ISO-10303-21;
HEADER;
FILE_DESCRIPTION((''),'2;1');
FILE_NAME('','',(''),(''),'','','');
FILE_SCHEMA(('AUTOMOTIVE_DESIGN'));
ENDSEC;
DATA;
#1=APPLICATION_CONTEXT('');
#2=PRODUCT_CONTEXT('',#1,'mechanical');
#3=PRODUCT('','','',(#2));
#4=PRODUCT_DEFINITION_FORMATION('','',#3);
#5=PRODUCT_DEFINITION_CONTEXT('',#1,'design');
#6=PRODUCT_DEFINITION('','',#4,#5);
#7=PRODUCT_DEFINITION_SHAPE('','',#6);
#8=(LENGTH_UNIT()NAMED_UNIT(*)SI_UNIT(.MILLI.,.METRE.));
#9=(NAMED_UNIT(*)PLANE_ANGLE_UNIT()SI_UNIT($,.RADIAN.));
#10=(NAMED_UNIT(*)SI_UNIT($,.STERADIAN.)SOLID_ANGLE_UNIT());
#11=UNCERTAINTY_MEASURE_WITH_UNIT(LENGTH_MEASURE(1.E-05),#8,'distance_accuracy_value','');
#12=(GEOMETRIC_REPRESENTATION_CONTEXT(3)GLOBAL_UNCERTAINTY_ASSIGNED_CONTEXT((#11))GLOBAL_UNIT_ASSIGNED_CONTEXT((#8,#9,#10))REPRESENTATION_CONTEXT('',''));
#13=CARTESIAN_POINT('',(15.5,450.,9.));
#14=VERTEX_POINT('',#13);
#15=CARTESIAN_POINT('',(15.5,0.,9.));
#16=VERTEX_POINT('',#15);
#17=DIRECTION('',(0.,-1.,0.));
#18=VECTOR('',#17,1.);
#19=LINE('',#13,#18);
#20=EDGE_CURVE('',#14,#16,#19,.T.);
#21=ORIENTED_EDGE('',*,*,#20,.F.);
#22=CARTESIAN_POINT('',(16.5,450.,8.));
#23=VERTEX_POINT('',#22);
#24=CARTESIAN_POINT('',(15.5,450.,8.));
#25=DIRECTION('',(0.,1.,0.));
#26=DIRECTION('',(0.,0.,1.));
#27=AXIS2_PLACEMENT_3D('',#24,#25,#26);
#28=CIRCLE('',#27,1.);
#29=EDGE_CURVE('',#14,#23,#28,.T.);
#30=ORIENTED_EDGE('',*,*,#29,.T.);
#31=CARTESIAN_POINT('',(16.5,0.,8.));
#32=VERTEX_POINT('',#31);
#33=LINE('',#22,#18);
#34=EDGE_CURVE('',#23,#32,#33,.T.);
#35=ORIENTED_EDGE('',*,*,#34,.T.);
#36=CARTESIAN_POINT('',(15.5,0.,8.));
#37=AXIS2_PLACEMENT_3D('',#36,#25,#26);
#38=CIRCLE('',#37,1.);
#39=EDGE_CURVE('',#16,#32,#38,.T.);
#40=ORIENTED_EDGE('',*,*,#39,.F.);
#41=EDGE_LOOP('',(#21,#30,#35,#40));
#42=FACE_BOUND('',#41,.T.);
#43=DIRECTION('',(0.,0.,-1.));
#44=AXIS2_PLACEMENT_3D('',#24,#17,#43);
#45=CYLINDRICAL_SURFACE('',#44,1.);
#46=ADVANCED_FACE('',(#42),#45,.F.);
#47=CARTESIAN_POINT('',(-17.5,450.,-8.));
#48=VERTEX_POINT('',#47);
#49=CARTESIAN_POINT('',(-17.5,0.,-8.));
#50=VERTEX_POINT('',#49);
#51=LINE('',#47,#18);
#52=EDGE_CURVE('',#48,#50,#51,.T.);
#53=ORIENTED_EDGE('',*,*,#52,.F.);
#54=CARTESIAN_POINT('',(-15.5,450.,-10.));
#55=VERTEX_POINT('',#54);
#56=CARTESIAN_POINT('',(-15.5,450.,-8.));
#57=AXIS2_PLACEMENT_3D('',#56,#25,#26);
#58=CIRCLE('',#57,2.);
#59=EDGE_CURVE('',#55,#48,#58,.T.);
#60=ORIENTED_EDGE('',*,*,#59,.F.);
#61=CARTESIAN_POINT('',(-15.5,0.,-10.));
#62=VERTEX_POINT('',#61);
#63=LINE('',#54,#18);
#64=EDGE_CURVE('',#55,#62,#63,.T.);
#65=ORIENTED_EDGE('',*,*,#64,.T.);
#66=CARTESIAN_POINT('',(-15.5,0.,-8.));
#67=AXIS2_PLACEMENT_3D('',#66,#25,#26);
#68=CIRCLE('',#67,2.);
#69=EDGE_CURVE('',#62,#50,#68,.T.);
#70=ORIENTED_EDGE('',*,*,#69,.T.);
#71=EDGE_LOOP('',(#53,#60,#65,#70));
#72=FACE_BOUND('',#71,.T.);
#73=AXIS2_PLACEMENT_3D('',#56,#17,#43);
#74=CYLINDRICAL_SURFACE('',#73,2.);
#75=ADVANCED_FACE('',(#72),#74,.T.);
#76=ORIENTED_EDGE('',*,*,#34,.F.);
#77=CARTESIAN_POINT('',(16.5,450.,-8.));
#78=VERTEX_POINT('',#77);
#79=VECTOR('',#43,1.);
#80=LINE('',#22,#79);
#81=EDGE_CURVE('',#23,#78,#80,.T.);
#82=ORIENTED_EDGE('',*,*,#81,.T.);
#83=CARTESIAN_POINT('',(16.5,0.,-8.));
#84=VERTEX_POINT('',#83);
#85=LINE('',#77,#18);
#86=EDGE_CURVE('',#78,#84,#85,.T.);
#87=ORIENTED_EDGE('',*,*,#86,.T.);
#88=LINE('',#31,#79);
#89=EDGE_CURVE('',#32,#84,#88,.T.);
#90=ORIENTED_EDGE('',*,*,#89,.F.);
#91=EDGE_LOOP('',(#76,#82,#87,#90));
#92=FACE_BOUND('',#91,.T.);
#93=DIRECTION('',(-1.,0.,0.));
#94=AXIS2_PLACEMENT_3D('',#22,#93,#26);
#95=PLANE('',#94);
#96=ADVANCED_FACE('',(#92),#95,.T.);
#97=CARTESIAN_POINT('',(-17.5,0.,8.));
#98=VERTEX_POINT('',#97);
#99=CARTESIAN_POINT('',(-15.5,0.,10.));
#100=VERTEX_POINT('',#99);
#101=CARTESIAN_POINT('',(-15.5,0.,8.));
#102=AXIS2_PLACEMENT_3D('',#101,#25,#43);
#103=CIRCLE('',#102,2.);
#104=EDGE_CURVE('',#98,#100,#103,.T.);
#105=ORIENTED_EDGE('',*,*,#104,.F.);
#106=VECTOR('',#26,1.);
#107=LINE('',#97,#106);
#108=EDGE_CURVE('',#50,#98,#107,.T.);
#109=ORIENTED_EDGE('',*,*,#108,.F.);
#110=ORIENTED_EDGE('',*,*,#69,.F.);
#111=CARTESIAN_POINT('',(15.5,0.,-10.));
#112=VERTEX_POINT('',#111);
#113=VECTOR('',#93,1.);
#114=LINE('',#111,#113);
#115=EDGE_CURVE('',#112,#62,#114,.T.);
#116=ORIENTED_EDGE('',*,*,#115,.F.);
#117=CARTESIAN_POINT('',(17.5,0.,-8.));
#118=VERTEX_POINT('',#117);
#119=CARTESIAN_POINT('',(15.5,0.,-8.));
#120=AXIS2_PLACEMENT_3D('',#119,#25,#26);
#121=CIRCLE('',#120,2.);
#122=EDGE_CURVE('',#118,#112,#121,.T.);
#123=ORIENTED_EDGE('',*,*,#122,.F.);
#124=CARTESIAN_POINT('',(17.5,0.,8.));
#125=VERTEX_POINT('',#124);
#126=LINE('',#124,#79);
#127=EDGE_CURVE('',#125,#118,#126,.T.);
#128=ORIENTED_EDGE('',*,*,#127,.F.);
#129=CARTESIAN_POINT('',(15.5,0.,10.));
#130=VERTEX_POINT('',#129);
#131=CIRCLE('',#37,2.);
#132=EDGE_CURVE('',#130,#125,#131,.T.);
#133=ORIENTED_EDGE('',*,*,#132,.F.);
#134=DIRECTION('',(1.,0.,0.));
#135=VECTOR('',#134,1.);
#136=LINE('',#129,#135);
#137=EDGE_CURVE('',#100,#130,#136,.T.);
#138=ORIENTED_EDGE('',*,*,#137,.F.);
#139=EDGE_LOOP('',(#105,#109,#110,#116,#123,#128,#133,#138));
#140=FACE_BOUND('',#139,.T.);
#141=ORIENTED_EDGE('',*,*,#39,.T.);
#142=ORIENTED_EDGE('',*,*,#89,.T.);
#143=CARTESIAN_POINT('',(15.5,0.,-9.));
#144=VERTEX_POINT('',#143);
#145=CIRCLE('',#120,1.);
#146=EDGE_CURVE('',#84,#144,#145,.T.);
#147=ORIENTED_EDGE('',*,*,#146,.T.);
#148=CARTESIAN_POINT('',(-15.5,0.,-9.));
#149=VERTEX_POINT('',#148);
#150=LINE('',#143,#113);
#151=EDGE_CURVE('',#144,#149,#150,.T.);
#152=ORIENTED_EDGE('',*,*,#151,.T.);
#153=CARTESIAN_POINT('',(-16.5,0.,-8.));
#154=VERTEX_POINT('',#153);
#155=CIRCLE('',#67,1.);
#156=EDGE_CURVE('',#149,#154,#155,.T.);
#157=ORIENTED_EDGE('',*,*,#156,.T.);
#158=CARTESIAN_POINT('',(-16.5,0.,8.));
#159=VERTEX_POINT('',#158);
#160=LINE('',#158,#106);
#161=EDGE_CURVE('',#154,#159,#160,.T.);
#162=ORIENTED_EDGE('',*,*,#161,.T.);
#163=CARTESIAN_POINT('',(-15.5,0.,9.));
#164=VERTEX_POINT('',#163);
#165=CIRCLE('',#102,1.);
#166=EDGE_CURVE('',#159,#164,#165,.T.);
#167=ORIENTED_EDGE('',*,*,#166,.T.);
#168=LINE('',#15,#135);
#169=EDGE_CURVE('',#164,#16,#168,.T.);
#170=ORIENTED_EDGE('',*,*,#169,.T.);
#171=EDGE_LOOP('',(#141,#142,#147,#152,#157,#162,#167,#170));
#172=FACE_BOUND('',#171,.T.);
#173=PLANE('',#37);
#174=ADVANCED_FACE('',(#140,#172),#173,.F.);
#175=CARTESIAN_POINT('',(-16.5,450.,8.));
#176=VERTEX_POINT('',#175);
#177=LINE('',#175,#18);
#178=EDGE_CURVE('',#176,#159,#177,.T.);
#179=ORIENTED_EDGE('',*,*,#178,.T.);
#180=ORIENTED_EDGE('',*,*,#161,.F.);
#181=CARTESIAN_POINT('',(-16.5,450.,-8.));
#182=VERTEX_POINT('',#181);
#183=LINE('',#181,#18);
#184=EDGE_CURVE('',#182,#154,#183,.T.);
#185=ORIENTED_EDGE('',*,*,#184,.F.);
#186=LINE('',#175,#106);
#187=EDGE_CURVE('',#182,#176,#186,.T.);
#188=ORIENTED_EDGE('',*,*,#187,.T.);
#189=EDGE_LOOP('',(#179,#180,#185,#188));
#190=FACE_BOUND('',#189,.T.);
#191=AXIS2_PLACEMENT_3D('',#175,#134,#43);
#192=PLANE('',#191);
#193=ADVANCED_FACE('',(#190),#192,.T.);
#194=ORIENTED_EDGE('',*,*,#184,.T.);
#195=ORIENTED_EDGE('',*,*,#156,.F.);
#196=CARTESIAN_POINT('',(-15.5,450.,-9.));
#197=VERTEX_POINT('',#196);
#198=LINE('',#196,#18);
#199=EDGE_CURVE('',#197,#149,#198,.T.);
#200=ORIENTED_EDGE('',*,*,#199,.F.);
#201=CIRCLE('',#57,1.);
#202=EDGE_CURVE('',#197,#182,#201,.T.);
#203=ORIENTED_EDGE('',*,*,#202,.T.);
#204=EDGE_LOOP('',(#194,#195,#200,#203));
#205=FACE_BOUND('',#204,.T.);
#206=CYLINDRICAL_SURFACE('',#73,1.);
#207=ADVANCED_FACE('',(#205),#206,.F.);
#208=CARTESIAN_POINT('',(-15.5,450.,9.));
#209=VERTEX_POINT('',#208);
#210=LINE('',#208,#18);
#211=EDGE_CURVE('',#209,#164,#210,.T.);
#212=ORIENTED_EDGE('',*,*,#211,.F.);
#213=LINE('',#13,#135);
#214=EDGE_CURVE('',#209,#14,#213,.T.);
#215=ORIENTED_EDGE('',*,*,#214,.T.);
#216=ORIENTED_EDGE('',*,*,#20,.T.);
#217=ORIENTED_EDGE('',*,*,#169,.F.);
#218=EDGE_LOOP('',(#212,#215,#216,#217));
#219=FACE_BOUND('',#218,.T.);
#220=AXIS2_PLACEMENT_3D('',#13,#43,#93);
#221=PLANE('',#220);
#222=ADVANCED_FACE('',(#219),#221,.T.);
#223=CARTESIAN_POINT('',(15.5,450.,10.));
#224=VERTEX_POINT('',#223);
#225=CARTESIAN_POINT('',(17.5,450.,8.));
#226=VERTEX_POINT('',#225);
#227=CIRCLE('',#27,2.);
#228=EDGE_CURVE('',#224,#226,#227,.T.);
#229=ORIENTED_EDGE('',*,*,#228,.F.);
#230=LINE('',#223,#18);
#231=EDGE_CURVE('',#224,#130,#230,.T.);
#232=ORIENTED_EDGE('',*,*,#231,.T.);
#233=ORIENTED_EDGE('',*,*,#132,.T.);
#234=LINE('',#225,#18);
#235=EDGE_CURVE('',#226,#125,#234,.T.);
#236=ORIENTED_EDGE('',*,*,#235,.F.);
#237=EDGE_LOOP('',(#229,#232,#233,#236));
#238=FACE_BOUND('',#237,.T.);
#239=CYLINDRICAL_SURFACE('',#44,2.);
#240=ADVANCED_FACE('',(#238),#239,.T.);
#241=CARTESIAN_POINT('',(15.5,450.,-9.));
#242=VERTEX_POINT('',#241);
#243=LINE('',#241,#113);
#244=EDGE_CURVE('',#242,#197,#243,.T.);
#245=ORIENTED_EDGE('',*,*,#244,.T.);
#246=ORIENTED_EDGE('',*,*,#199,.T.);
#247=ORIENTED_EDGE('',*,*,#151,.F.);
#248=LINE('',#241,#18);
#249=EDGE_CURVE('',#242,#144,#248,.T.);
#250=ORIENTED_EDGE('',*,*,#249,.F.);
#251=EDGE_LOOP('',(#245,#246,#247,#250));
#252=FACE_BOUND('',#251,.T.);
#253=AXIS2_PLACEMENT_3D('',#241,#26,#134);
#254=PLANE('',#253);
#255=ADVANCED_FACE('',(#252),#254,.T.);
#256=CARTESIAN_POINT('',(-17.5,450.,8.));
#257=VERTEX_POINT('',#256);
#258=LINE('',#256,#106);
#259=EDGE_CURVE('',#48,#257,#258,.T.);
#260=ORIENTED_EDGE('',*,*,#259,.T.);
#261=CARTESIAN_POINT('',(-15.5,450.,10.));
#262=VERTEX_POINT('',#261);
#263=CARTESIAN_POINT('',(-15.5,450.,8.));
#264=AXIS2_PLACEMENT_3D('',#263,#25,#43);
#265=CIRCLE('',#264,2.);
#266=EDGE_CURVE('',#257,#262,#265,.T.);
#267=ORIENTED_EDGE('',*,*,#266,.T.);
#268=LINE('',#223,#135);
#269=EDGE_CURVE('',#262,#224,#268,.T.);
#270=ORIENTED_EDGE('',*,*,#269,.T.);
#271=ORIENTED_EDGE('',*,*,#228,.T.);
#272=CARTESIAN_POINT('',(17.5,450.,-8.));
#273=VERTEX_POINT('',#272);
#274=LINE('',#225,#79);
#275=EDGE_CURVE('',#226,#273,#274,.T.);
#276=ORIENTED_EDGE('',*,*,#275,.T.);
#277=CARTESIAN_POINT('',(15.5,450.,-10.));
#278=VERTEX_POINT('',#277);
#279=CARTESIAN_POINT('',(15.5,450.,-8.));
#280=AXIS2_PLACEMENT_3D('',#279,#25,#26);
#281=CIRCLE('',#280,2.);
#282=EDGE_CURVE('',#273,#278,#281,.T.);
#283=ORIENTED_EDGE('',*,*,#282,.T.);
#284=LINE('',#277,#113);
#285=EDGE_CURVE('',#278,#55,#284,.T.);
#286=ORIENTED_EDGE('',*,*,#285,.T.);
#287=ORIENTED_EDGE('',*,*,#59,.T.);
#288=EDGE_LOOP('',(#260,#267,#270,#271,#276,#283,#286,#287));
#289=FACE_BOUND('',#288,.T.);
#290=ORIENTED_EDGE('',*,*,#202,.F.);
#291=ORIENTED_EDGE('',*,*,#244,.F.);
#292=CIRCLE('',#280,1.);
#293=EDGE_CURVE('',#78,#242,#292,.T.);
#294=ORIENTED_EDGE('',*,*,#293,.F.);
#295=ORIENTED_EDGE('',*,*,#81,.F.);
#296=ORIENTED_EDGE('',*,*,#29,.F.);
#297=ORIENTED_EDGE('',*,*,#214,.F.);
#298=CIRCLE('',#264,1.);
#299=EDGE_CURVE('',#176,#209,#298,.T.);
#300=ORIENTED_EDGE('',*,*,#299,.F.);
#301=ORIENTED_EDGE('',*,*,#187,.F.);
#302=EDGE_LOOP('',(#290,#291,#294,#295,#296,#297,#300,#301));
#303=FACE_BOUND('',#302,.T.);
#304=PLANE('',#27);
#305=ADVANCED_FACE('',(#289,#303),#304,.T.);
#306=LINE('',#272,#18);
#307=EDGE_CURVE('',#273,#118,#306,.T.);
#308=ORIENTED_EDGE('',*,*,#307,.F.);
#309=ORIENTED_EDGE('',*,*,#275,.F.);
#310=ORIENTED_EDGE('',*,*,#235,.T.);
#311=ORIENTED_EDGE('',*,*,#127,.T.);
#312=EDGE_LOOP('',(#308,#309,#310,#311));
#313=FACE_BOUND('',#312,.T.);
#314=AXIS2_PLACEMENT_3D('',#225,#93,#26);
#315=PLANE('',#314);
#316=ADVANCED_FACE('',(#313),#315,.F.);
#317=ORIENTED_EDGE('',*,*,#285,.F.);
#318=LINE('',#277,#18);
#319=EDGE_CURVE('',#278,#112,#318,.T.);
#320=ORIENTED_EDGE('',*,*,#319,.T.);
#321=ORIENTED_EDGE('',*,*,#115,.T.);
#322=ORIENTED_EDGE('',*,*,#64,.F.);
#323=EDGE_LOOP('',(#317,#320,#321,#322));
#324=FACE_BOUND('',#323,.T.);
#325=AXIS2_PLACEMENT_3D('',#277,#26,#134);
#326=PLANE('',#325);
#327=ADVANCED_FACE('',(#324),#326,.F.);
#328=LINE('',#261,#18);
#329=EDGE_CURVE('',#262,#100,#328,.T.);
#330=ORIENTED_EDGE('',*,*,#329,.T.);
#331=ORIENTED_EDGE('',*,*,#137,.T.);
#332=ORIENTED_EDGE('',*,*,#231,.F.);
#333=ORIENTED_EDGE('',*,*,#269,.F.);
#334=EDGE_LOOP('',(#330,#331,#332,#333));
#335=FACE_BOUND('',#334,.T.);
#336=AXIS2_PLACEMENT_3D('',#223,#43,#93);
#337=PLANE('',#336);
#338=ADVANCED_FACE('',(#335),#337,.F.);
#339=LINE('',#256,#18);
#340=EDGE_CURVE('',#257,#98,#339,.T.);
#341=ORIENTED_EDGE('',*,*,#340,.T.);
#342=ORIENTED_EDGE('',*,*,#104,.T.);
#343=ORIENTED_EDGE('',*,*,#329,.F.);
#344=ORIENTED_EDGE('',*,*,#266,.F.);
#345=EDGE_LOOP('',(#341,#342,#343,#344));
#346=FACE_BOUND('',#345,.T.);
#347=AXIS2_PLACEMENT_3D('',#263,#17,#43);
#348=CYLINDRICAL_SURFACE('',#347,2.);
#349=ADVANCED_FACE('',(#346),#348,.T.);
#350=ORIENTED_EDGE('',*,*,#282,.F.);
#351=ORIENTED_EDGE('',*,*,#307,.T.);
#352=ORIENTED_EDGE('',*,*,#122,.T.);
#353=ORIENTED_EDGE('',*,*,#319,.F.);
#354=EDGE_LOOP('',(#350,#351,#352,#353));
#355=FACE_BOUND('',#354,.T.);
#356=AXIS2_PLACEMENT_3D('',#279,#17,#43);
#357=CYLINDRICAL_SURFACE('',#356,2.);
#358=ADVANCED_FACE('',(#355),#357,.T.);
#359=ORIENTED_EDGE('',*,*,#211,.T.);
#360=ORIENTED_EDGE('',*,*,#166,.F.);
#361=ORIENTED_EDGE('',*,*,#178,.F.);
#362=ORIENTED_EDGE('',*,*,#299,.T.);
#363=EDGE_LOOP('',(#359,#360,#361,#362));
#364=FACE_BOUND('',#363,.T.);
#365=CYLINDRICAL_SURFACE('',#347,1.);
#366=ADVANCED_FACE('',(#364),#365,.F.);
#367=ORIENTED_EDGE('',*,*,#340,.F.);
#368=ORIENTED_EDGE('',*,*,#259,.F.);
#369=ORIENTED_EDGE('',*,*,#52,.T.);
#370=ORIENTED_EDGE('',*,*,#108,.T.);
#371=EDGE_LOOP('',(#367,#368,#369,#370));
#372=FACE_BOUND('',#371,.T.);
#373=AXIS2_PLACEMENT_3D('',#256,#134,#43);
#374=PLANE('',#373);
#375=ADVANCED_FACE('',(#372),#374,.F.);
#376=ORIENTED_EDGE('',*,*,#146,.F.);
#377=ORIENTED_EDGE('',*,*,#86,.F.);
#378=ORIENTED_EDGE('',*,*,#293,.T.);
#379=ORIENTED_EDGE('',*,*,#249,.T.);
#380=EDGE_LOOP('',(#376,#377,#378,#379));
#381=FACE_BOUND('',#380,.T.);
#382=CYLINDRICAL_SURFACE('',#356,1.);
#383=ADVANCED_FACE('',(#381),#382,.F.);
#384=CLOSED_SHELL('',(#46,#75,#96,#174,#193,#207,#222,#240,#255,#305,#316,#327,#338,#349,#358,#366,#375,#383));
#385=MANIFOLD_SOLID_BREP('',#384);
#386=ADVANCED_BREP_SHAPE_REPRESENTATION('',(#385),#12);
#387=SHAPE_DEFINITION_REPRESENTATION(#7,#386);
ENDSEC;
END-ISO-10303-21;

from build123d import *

# Parameters (mm, degrees)
BOSS_EXTRU_1_DEPTH = 450


with BuildPart() as part:
    # Esquisse1 → Boss.-Extru.1 (new body)
    with BuildSketch(Plane(origin=(0, 0, 0), x_dir=(1, 0, 0), z_dir=(0, 1, 0))):
        with BuildLine():
            Line((15.5, -10), (-15.5, -10))
            ThreePointArc((-15.5, -10), (-16.914213562, -9.414213562), (-17.5, -8))
            Line((-17.5, -8), (-17.5, 8))
            ThreePointArc((-17.5, 8), (-16.914213562, 9.414213562), (-15.5, 10))
            Line((-15.5, 10), (15.5, 10))
            ThreePointArc((15.5, 10), (16.914213562, 9.414213562), (17.5, 8))
            Line((17.5, 8), (17.5, -8))
            ThreePointArc((17.5, -8), (16.914213562, -9.414213562), (15.5, -10))
        make_face()
        with BuildLine():
            Line((15.5, -9), (-15.5, -9))
            ThreePointArc((-15.5, -9), (-16.207106781, -8.707106781), (-16.5, -8))
            Line((-16.5, -8), (-16.5, 8))
            ThreePointArc((-16.5, 8), (-16.207106781, 8.707106781), (-15.5, 9))
            Line((-15.5, 9), (15.5, 9))
            ThreePointArc((15.5, 9), (16.207106781, 8.707106781), (16.5, 8))
            Line((16.5, 8), (16.5, -8))
            ThreePointArc((16.5, -8), (16.207106781, -8.707106781), (15.5, -9))
        make_face(mode=Mode.SUBTRACT)
    extrude(amount=BOSS_EXTRU_1_DEPTH)


solid = part.part
